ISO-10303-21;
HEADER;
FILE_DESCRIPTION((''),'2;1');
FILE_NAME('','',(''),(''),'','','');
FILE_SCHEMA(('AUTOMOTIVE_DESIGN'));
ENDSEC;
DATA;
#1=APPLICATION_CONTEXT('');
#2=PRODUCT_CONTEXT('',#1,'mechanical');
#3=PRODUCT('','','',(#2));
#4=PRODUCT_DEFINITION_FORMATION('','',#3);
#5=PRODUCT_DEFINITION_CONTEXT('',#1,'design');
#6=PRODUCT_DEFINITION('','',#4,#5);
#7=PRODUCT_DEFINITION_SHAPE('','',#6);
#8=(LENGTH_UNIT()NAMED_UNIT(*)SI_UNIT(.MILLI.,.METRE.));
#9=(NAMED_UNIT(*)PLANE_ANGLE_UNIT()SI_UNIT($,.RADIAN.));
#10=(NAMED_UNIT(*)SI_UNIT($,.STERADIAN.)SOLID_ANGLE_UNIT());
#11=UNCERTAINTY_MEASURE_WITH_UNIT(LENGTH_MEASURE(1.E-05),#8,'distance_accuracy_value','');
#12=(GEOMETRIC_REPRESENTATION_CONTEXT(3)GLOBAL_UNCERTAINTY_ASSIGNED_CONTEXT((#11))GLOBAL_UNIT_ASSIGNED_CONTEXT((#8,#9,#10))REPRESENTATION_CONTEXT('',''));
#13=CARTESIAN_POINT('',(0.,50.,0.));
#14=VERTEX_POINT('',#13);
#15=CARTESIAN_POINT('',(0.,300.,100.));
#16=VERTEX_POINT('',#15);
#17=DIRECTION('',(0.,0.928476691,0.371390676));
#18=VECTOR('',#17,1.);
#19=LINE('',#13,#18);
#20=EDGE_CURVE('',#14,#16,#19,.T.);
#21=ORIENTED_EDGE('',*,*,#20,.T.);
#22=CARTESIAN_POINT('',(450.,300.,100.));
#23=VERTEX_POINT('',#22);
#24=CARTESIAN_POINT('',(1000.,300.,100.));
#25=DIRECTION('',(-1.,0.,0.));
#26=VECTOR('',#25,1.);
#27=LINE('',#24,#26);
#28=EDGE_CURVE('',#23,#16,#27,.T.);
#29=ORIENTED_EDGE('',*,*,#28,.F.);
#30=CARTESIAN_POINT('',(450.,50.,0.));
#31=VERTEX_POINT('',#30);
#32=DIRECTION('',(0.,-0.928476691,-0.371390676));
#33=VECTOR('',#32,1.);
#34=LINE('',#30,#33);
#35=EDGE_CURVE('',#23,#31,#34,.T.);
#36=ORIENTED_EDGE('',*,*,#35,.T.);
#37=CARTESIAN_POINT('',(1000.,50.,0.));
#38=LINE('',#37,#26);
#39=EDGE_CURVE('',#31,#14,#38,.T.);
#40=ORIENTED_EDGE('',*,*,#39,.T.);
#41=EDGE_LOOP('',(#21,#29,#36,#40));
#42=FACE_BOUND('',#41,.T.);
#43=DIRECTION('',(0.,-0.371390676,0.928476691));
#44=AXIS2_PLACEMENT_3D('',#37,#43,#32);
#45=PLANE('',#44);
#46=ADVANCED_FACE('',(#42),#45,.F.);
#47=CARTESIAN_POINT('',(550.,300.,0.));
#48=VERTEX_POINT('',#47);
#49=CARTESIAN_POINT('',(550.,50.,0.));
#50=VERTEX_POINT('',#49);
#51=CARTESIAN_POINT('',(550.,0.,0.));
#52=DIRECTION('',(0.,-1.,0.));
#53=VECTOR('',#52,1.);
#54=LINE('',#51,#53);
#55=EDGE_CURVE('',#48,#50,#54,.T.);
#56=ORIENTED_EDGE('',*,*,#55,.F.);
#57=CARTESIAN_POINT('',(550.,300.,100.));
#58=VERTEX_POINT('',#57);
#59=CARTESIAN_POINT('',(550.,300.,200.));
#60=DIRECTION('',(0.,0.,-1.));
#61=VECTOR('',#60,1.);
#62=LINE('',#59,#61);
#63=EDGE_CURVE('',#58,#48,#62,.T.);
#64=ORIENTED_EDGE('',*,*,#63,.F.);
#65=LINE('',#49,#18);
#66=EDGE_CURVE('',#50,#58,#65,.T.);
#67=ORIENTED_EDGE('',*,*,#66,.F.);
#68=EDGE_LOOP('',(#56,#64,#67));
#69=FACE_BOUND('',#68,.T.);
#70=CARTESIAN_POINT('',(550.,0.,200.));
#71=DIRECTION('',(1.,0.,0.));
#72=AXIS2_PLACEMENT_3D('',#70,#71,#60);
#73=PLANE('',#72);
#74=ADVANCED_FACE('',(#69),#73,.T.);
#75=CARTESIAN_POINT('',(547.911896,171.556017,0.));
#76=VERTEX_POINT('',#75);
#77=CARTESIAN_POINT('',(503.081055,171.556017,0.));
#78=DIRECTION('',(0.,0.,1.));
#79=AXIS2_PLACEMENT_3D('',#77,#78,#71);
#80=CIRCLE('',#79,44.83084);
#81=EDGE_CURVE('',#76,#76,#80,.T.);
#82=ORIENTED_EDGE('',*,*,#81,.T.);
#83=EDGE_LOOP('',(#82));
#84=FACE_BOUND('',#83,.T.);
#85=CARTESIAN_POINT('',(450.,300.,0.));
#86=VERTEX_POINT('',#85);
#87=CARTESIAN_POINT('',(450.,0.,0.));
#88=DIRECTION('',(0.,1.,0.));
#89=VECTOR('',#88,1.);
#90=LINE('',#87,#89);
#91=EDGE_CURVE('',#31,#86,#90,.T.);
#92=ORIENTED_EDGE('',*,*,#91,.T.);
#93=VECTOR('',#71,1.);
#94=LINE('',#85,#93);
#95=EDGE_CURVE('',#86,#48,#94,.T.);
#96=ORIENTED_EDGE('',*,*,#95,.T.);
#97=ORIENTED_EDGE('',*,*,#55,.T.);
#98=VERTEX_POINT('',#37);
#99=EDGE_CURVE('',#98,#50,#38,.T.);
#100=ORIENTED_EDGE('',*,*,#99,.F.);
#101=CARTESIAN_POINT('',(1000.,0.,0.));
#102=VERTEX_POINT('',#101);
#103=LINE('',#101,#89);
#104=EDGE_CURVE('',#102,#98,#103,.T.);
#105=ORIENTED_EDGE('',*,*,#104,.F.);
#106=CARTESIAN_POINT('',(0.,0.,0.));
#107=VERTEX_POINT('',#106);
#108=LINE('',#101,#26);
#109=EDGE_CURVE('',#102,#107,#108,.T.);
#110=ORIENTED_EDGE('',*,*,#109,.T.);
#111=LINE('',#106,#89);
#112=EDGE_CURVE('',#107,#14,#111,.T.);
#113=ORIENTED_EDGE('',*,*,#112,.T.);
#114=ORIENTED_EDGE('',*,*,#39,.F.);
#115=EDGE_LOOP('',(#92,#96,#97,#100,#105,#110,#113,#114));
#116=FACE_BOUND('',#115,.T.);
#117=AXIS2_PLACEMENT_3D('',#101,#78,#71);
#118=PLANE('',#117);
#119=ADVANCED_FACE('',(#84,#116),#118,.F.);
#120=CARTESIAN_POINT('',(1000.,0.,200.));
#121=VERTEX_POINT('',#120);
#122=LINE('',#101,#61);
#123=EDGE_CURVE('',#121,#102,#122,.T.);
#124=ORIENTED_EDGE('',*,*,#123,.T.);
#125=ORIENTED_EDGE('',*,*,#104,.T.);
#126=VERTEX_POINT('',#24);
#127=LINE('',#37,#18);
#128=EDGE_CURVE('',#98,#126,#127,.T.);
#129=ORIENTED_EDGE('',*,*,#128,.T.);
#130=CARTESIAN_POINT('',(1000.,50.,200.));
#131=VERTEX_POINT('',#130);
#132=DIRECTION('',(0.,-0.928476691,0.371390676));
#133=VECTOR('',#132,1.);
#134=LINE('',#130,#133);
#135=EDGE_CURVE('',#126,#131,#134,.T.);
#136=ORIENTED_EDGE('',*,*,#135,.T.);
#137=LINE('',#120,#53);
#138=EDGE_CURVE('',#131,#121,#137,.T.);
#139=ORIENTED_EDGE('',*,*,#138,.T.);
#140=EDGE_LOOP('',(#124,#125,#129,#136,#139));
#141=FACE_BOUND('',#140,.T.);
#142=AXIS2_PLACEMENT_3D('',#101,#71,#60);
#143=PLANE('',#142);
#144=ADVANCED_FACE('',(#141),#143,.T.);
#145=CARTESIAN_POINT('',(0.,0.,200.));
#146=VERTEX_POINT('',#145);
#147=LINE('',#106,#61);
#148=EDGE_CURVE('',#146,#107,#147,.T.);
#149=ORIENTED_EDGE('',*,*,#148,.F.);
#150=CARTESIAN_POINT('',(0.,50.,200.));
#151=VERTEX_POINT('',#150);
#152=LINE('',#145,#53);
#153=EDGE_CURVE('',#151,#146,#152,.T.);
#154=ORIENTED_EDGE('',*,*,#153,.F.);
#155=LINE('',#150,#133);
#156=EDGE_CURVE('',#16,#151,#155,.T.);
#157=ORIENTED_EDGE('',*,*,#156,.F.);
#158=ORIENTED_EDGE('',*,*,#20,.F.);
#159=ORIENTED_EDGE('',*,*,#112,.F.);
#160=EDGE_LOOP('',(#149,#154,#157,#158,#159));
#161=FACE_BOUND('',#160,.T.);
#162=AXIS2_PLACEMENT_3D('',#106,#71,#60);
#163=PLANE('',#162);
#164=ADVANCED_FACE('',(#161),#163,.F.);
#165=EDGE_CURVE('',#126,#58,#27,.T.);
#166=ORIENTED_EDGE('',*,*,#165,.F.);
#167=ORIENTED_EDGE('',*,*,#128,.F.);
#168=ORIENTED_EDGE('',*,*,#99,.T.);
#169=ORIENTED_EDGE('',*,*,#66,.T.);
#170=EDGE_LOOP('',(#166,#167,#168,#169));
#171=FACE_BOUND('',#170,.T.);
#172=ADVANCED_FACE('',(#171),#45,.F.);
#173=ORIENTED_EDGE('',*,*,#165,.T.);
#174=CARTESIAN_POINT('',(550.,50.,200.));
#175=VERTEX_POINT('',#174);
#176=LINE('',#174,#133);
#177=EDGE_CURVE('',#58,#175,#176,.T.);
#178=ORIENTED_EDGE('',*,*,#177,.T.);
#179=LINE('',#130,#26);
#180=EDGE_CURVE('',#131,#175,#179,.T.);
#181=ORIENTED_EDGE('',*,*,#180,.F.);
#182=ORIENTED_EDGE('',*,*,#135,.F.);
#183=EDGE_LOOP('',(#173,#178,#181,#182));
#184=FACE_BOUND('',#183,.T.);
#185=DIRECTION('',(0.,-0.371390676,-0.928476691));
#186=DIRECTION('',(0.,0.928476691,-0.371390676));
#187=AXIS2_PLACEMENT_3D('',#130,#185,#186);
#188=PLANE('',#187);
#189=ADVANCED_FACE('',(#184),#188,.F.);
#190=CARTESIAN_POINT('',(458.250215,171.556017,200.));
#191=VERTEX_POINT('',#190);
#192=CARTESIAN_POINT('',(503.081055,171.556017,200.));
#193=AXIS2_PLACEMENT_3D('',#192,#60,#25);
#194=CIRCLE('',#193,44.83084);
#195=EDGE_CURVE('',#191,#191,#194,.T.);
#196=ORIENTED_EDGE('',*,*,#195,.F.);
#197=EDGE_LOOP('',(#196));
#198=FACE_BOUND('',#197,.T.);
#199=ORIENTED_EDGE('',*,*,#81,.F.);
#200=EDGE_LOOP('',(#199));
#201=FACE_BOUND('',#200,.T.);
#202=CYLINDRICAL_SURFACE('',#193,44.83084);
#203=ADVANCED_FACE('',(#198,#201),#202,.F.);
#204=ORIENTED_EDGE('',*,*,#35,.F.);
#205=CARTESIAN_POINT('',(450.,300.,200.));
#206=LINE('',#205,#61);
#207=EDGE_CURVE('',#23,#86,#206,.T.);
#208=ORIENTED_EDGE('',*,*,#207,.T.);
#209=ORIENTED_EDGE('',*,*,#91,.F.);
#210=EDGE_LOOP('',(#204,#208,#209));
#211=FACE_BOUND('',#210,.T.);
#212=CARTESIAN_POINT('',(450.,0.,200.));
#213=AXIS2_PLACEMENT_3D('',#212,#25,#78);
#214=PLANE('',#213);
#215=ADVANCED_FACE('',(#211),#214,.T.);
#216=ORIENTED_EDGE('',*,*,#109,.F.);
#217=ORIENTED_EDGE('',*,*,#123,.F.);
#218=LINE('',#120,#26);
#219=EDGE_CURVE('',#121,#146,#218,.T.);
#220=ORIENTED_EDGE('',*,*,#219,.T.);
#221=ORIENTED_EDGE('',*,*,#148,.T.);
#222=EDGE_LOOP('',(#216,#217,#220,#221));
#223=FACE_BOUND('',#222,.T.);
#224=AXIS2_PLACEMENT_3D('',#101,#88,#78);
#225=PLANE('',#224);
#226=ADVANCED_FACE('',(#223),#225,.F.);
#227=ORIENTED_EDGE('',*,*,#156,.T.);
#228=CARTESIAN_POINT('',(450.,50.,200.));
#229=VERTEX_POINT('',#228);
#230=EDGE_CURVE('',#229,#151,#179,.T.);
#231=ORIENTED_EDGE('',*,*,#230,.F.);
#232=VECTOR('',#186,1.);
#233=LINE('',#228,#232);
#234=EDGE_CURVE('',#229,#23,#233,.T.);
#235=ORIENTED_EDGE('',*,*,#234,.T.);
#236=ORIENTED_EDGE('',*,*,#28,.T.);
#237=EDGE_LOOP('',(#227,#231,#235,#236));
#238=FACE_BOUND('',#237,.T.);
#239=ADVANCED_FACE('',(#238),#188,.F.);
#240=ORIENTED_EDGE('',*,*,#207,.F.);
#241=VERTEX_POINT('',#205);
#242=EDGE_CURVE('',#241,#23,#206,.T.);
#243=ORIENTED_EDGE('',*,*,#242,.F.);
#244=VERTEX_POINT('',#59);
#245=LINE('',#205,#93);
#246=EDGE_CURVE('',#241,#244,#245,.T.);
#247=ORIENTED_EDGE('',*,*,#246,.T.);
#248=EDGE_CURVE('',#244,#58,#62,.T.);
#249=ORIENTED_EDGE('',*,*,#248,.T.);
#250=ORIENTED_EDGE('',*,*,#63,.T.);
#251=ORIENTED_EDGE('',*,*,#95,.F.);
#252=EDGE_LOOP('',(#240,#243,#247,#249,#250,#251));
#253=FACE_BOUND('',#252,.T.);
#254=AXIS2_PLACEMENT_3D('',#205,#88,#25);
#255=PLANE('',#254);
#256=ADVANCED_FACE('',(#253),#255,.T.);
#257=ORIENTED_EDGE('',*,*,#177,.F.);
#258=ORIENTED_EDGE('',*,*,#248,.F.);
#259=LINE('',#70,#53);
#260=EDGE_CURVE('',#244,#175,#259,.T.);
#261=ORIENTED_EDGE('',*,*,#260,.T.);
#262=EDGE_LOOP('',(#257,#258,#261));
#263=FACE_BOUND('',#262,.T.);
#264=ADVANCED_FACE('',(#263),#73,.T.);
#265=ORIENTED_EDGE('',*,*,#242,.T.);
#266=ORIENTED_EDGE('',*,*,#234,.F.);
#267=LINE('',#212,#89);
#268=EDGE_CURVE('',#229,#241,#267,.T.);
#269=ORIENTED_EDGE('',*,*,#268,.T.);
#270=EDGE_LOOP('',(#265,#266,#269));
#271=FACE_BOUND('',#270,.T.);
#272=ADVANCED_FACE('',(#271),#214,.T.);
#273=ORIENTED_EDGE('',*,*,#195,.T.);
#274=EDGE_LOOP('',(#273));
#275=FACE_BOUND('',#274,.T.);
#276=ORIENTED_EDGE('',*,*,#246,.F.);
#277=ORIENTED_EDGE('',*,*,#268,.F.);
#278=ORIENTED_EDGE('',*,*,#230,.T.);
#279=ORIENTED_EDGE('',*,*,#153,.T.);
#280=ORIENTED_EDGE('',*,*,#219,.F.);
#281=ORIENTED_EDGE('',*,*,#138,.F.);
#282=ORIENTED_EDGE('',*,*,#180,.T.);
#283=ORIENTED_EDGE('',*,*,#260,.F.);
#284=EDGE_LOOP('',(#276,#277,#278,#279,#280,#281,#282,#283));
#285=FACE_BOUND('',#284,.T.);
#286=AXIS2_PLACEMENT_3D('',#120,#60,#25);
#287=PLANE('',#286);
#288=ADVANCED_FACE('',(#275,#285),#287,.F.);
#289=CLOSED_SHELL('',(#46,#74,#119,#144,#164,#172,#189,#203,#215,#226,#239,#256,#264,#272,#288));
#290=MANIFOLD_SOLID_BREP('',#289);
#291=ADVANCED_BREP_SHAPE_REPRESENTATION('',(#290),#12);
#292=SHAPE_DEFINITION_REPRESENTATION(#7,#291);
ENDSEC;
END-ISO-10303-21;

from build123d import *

# Parameters (mm, degrees)
BOSS_EXTRUDE1_DEPTH     = 1000
SKETCH2_W               = 100
SKETCH2_H               = 300
BOSS_EXTRUDE2_DEPTH     = 200
SKETCH3_R               = 44.830840268
CUT_EXTRUDE1_DEPTH      = 1
CUT_EXTRUDE1_DEPTH_BACK = 201


with BuildPart() as part:
    # Sketch1 → Boss-Extrude1 (new body)
    with BuildSketch(Plane(origin=(0, 0, 0), x_dir=(0, 0, -1), z_dir=(1, 0, 0))):
        Polygon((0, 0), (-200, 0), (-200, 50), (-100, 300), (0, 50), align=None)
    extrude(amount=BOSS_EXTRUDE1_DEPTH)

    # Sketch2 → Boss-Extrude2 (add)
    with BuildSketch(Plane(origin=(0, 0, 0), x_dir=(-1, 0, 0), z_dir=(0, 0, -1))):
        with Locations((-500, 150)):
            Rectangle(SKETCH2_W, SKETCH2_H)
    extrude(amount=-BOSS_EXTRUDE2_DEPTH)

    # Sketch3 → Cut-Extrude1 (cut, two sides)
    with BuildSketch(Plane(origin=(0, 0, 0), x_dir=(-1, 0, 0), z_dir=(0, 0, -1))) as cut_extrude1_sk:
        with Locations((-503.081055297, 171.556016762)):
            Circle(SKETCH3_R)
    extrude(amount=CUT_EXTRUDE1_DEPTH, mode=Mode.SUBTRACT)
    extrude(cut_extrude1_sk.sketch, amount=-CUT_EXTRUDE1_DEPTH_BACK, mode=Mode.SUBTRACT)


solid = part.part
